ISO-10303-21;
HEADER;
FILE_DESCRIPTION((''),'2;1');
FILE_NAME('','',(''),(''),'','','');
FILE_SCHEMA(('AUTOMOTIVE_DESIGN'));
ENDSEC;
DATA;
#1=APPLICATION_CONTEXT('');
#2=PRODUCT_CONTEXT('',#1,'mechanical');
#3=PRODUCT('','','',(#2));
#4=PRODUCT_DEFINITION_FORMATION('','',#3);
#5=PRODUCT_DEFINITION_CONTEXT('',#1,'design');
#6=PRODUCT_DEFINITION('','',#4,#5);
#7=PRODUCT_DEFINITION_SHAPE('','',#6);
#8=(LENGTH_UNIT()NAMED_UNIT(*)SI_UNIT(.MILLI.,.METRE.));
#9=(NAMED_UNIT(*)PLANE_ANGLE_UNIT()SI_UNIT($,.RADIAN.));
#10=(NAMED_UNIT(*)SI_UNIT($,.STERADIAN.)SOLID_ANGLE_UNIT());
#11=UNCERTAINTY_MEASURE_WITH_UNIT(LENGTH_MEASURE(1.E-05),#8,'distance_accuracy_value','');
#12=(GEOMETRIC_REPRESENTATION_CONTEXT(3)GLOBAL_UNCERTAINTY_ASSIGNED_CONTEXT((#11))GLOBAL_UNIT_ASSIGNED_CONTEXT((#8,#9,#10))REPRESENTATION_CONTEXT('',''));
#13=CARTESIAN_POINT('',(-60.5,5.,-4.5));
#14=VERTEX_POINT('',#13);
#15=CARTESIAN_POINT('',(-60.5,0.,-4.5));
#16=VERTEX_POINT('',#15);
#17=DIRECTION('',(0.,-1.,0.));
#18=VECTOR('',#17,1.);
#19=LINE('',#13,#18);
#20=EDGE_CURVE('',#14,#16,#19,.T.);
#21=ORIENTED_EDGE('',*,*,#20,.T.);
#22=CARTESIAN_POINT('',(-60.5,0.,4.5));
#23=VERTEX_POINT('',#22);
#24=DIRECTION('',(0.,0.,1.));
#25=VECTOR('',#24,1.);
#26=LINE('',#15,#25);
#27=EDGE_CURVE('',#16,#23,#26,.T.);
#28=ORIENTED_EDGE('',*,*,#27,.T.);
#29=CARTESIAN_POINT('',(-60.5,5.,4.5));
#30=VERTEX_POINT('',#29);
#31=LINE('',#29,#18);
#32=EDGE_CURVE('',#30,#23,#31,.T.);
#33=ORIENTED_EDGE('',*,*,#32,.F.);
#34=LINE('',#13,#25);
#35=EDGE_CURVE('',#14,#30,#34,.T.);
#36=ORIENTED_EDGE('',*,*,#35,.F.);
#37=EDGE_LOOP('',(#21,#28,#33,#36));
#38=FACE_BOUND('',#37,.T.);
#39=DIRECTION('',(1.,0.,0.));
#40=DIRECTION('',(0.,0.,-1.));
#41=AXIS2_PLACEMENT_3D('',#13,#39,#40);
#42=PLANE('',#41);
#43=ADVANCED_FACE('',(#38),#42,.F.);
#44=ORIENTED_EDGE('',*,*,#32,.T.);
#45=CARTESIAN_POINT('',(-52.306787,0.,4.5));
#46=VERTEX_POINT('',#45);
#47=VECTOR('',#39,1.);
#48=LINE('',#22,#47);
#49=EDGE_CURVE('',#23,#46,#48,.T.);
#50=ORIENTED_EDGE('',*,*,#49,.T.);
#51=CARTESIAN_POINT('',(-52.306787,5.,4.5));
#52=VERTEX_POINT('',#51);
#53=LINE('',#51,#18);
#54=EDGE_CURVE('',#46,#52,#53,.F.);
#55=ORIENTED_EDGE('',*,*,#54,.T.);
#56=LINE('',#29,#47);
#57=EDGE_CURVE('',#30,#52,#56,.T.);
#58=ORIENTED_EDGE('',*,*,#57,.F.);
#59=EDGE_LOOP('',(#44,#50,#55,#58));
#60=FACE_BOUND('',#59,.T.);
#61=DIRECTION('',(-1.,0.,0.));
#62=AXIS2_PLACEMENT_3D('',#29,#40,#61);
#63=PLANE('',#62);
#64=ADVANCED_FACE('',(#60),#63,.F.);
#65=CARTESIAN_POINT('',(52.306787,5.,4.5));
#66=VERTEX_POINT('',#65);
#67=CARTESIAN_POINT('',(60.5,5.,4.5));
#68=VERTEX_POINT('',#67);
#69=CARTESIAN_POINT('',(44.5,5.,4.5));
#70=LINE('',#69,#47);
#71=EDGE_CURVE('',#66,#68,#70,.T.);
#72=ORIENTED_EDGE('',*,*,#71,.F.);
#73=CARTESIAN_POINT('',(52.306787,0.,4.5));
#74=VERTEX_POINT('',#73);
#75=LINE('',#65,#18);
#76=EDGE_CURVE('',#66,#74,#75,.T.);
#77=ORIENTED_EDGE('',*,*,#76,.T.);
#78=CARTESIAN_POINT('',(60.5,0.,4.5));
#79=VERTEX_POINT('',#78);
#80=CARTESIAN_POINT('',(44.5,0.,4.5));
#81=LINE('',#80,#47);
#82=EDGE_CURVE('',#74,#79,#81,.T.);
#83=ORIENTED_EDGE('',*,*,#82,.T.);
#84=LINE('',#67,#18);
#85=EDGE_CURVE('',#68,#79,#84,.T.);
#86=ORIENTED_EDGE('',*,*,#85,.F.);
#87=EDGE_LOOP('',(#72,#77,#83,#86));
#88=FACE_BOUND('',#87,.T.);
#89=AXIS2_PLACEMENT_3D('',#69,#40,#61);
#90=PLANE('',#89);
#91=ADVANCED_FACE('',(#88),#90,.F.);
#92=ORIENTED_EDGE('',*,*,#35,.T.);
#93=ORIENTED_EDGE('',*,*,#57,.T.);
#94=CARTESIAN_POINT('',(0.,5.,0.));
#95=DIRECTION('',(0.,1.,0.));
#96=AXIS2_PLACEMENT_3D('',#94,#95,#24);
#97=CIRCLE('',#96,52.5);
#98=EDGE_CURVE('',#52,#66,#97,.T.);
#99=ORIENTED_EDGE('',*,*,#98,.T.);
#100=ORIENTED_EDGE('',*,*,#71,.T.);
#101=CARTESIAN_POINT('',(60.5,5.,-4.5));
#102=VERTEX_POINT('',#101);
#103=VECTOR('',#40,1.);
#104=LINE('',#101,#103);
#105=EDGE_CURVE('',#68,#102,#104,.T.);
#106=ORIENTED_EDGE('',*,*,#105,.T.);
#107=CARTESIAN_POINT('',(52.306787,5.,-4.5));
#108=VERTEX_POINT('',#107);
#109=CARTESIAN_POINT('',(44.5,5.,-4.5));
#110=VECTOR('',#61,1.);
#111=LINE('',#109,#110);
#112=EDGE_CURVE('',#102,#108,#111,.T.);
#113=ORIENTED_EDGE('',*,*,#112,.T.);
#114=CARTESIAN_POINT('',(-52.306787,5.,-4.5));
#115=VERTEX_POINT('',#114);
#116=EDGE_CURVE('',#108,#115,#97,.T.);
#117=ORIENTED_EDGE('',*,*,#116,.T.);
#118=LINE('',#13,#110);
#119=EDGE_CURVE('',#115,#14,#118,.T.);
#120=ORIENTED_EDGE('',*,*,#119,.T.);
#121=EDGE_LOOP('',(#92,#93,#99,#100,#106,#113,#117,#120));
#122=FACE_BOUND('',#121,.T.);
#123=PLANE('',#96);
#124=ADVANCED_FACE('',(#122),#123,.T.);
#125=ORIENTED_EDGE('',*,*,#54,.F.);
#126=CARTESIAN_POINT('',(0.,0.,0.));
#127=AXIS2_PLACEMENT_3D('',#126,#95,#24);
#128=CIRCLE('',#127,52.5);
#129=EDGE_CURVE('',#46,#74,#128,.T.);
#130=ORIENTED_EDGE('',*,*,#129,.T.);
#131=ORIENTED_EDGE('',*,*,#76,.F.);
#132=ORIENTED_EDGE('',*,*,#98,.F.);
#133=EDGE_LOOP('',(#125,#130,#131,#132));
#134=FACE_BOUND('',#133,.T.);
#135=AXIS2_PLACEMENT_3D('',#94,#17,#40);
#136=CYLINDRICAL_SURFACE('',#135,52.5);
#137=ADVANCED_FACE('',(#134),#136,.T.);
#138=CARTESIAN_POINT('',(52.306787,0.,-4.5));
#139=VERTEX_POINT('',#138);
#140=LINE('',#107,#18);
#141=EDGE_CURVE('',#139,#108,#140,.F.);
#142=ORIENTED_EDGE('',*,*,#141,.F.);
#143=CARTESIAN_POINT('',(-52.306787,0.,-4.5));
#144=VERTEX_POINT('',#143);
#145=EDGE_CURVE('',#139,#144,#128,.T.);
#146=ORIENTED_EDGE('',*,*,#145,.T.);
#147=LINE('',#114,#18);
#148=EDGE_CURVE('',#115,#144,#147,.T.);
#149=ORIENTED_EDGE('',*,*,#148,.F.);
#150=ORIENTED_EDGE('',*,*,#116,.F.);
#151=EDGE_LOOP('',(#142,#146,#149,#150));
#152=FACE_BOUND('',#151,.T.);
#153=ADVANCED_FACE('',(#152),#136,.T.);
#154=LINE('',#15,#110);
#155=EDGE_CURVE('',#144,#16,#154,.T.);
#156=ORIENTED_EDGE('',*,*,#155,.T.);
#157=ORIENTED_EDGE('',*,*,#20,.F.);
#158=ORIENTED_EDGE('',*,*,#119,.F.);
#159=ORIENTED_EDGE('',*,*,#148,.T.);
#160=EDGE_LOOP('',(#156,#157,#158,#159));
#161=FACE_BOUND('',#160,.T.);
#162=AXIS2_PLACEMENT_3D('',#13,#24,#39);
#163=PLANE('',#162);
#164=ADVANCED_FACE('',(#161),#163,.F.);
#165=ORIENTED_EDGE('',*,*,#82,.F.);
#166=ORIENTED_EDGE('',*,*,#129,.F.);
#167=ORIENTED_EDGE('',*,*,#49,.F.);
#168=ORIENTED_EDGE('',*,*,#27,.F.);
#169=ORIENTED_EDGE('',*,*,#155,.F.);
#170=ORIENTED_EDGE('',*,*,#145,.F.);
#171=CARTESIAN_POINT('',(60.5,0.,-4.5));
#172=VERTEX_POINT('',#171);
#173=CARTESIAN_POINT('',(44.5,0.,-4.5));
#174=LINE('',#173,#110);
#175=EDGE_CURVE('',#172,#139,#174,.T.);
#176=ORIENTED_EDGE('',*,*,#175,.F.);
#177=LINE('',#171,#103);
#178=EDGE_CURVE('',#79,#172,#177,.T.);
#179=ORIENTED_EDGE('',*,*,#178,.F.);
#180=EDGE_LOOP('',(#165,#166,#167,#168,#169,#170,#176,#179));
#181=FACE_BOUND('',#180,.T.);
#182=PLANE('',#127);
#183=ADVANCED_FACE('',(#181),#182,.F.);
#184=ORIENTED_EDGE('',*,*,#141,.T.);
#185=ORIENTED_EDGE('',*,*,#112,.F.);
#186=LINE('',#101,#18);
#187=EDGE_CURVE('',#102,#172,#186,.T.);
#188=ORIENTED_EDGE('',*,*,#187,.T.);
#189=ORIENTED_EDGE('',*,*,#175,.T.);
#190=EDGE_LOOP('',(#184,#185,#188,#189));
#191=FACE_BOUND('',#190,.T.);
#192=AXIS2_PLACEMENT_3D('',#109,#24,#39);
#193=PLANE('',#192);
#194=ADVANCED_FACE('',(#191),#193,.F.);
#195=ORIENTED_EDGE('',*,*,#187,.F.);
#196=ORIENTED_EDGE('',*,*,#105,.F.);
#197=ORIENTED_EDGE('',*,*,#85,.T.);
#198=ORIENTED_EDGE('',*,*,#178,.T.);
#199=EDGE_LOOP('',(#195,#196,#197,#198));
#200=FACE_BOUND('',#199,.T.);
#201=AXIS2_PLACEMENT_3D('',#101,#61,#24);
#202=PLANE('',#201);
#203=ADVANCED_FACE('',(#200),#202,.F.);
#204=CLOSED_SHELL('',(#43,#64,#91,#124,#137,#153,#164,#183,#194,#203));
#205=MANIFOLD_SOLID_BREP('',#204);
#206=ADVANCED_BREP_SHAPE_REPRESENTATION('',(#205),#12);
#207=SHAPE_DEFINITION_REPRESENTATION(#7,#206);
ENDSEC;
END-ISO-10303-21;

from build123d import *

# Parameters (mm, degrees)
SKETCH3_R           = 52.5
BOSS_EXTRUDE1_DEPTH = 5
SKETCH5_W           = 16
SKETCH5_H           = 9
BOSS_EXTRUDE2_DEPTH = 2.5


with BuildPart() as part:
    # Sketch3 → Boss-Extrude1 (new body)
    with BuildSketch(Plane(origin=(0, 0, 0), x_dir=(1, 0, 0), z_dir=(0, 1, 0))):
        with Locations(Location((0, 0, 0), (0, 0, 270))):
            Circle(SKETCH3_R)
    extrude(amount=BOSS_EXTRUDE1_DEPTH)

    # Sketch5 → Boss-Extrude2 (add, symmetric)
    with BuildSketch(Plane(origin=(0, 2.5, 0), x_dir=(1, 0, 0), z_dir=(0, 1, 0))):
        with Locations((52.5, 0)):
            Rectangle(SKETCH5_W, SKETCH5_H)
        with Locations((-52.5, 0)):
            Rectangle(SKETCH5_W, SKETCH5_H)
    extrude(amount=BOSS_EXTRUDE2_DEPTH, both=True)


solid = part.part
